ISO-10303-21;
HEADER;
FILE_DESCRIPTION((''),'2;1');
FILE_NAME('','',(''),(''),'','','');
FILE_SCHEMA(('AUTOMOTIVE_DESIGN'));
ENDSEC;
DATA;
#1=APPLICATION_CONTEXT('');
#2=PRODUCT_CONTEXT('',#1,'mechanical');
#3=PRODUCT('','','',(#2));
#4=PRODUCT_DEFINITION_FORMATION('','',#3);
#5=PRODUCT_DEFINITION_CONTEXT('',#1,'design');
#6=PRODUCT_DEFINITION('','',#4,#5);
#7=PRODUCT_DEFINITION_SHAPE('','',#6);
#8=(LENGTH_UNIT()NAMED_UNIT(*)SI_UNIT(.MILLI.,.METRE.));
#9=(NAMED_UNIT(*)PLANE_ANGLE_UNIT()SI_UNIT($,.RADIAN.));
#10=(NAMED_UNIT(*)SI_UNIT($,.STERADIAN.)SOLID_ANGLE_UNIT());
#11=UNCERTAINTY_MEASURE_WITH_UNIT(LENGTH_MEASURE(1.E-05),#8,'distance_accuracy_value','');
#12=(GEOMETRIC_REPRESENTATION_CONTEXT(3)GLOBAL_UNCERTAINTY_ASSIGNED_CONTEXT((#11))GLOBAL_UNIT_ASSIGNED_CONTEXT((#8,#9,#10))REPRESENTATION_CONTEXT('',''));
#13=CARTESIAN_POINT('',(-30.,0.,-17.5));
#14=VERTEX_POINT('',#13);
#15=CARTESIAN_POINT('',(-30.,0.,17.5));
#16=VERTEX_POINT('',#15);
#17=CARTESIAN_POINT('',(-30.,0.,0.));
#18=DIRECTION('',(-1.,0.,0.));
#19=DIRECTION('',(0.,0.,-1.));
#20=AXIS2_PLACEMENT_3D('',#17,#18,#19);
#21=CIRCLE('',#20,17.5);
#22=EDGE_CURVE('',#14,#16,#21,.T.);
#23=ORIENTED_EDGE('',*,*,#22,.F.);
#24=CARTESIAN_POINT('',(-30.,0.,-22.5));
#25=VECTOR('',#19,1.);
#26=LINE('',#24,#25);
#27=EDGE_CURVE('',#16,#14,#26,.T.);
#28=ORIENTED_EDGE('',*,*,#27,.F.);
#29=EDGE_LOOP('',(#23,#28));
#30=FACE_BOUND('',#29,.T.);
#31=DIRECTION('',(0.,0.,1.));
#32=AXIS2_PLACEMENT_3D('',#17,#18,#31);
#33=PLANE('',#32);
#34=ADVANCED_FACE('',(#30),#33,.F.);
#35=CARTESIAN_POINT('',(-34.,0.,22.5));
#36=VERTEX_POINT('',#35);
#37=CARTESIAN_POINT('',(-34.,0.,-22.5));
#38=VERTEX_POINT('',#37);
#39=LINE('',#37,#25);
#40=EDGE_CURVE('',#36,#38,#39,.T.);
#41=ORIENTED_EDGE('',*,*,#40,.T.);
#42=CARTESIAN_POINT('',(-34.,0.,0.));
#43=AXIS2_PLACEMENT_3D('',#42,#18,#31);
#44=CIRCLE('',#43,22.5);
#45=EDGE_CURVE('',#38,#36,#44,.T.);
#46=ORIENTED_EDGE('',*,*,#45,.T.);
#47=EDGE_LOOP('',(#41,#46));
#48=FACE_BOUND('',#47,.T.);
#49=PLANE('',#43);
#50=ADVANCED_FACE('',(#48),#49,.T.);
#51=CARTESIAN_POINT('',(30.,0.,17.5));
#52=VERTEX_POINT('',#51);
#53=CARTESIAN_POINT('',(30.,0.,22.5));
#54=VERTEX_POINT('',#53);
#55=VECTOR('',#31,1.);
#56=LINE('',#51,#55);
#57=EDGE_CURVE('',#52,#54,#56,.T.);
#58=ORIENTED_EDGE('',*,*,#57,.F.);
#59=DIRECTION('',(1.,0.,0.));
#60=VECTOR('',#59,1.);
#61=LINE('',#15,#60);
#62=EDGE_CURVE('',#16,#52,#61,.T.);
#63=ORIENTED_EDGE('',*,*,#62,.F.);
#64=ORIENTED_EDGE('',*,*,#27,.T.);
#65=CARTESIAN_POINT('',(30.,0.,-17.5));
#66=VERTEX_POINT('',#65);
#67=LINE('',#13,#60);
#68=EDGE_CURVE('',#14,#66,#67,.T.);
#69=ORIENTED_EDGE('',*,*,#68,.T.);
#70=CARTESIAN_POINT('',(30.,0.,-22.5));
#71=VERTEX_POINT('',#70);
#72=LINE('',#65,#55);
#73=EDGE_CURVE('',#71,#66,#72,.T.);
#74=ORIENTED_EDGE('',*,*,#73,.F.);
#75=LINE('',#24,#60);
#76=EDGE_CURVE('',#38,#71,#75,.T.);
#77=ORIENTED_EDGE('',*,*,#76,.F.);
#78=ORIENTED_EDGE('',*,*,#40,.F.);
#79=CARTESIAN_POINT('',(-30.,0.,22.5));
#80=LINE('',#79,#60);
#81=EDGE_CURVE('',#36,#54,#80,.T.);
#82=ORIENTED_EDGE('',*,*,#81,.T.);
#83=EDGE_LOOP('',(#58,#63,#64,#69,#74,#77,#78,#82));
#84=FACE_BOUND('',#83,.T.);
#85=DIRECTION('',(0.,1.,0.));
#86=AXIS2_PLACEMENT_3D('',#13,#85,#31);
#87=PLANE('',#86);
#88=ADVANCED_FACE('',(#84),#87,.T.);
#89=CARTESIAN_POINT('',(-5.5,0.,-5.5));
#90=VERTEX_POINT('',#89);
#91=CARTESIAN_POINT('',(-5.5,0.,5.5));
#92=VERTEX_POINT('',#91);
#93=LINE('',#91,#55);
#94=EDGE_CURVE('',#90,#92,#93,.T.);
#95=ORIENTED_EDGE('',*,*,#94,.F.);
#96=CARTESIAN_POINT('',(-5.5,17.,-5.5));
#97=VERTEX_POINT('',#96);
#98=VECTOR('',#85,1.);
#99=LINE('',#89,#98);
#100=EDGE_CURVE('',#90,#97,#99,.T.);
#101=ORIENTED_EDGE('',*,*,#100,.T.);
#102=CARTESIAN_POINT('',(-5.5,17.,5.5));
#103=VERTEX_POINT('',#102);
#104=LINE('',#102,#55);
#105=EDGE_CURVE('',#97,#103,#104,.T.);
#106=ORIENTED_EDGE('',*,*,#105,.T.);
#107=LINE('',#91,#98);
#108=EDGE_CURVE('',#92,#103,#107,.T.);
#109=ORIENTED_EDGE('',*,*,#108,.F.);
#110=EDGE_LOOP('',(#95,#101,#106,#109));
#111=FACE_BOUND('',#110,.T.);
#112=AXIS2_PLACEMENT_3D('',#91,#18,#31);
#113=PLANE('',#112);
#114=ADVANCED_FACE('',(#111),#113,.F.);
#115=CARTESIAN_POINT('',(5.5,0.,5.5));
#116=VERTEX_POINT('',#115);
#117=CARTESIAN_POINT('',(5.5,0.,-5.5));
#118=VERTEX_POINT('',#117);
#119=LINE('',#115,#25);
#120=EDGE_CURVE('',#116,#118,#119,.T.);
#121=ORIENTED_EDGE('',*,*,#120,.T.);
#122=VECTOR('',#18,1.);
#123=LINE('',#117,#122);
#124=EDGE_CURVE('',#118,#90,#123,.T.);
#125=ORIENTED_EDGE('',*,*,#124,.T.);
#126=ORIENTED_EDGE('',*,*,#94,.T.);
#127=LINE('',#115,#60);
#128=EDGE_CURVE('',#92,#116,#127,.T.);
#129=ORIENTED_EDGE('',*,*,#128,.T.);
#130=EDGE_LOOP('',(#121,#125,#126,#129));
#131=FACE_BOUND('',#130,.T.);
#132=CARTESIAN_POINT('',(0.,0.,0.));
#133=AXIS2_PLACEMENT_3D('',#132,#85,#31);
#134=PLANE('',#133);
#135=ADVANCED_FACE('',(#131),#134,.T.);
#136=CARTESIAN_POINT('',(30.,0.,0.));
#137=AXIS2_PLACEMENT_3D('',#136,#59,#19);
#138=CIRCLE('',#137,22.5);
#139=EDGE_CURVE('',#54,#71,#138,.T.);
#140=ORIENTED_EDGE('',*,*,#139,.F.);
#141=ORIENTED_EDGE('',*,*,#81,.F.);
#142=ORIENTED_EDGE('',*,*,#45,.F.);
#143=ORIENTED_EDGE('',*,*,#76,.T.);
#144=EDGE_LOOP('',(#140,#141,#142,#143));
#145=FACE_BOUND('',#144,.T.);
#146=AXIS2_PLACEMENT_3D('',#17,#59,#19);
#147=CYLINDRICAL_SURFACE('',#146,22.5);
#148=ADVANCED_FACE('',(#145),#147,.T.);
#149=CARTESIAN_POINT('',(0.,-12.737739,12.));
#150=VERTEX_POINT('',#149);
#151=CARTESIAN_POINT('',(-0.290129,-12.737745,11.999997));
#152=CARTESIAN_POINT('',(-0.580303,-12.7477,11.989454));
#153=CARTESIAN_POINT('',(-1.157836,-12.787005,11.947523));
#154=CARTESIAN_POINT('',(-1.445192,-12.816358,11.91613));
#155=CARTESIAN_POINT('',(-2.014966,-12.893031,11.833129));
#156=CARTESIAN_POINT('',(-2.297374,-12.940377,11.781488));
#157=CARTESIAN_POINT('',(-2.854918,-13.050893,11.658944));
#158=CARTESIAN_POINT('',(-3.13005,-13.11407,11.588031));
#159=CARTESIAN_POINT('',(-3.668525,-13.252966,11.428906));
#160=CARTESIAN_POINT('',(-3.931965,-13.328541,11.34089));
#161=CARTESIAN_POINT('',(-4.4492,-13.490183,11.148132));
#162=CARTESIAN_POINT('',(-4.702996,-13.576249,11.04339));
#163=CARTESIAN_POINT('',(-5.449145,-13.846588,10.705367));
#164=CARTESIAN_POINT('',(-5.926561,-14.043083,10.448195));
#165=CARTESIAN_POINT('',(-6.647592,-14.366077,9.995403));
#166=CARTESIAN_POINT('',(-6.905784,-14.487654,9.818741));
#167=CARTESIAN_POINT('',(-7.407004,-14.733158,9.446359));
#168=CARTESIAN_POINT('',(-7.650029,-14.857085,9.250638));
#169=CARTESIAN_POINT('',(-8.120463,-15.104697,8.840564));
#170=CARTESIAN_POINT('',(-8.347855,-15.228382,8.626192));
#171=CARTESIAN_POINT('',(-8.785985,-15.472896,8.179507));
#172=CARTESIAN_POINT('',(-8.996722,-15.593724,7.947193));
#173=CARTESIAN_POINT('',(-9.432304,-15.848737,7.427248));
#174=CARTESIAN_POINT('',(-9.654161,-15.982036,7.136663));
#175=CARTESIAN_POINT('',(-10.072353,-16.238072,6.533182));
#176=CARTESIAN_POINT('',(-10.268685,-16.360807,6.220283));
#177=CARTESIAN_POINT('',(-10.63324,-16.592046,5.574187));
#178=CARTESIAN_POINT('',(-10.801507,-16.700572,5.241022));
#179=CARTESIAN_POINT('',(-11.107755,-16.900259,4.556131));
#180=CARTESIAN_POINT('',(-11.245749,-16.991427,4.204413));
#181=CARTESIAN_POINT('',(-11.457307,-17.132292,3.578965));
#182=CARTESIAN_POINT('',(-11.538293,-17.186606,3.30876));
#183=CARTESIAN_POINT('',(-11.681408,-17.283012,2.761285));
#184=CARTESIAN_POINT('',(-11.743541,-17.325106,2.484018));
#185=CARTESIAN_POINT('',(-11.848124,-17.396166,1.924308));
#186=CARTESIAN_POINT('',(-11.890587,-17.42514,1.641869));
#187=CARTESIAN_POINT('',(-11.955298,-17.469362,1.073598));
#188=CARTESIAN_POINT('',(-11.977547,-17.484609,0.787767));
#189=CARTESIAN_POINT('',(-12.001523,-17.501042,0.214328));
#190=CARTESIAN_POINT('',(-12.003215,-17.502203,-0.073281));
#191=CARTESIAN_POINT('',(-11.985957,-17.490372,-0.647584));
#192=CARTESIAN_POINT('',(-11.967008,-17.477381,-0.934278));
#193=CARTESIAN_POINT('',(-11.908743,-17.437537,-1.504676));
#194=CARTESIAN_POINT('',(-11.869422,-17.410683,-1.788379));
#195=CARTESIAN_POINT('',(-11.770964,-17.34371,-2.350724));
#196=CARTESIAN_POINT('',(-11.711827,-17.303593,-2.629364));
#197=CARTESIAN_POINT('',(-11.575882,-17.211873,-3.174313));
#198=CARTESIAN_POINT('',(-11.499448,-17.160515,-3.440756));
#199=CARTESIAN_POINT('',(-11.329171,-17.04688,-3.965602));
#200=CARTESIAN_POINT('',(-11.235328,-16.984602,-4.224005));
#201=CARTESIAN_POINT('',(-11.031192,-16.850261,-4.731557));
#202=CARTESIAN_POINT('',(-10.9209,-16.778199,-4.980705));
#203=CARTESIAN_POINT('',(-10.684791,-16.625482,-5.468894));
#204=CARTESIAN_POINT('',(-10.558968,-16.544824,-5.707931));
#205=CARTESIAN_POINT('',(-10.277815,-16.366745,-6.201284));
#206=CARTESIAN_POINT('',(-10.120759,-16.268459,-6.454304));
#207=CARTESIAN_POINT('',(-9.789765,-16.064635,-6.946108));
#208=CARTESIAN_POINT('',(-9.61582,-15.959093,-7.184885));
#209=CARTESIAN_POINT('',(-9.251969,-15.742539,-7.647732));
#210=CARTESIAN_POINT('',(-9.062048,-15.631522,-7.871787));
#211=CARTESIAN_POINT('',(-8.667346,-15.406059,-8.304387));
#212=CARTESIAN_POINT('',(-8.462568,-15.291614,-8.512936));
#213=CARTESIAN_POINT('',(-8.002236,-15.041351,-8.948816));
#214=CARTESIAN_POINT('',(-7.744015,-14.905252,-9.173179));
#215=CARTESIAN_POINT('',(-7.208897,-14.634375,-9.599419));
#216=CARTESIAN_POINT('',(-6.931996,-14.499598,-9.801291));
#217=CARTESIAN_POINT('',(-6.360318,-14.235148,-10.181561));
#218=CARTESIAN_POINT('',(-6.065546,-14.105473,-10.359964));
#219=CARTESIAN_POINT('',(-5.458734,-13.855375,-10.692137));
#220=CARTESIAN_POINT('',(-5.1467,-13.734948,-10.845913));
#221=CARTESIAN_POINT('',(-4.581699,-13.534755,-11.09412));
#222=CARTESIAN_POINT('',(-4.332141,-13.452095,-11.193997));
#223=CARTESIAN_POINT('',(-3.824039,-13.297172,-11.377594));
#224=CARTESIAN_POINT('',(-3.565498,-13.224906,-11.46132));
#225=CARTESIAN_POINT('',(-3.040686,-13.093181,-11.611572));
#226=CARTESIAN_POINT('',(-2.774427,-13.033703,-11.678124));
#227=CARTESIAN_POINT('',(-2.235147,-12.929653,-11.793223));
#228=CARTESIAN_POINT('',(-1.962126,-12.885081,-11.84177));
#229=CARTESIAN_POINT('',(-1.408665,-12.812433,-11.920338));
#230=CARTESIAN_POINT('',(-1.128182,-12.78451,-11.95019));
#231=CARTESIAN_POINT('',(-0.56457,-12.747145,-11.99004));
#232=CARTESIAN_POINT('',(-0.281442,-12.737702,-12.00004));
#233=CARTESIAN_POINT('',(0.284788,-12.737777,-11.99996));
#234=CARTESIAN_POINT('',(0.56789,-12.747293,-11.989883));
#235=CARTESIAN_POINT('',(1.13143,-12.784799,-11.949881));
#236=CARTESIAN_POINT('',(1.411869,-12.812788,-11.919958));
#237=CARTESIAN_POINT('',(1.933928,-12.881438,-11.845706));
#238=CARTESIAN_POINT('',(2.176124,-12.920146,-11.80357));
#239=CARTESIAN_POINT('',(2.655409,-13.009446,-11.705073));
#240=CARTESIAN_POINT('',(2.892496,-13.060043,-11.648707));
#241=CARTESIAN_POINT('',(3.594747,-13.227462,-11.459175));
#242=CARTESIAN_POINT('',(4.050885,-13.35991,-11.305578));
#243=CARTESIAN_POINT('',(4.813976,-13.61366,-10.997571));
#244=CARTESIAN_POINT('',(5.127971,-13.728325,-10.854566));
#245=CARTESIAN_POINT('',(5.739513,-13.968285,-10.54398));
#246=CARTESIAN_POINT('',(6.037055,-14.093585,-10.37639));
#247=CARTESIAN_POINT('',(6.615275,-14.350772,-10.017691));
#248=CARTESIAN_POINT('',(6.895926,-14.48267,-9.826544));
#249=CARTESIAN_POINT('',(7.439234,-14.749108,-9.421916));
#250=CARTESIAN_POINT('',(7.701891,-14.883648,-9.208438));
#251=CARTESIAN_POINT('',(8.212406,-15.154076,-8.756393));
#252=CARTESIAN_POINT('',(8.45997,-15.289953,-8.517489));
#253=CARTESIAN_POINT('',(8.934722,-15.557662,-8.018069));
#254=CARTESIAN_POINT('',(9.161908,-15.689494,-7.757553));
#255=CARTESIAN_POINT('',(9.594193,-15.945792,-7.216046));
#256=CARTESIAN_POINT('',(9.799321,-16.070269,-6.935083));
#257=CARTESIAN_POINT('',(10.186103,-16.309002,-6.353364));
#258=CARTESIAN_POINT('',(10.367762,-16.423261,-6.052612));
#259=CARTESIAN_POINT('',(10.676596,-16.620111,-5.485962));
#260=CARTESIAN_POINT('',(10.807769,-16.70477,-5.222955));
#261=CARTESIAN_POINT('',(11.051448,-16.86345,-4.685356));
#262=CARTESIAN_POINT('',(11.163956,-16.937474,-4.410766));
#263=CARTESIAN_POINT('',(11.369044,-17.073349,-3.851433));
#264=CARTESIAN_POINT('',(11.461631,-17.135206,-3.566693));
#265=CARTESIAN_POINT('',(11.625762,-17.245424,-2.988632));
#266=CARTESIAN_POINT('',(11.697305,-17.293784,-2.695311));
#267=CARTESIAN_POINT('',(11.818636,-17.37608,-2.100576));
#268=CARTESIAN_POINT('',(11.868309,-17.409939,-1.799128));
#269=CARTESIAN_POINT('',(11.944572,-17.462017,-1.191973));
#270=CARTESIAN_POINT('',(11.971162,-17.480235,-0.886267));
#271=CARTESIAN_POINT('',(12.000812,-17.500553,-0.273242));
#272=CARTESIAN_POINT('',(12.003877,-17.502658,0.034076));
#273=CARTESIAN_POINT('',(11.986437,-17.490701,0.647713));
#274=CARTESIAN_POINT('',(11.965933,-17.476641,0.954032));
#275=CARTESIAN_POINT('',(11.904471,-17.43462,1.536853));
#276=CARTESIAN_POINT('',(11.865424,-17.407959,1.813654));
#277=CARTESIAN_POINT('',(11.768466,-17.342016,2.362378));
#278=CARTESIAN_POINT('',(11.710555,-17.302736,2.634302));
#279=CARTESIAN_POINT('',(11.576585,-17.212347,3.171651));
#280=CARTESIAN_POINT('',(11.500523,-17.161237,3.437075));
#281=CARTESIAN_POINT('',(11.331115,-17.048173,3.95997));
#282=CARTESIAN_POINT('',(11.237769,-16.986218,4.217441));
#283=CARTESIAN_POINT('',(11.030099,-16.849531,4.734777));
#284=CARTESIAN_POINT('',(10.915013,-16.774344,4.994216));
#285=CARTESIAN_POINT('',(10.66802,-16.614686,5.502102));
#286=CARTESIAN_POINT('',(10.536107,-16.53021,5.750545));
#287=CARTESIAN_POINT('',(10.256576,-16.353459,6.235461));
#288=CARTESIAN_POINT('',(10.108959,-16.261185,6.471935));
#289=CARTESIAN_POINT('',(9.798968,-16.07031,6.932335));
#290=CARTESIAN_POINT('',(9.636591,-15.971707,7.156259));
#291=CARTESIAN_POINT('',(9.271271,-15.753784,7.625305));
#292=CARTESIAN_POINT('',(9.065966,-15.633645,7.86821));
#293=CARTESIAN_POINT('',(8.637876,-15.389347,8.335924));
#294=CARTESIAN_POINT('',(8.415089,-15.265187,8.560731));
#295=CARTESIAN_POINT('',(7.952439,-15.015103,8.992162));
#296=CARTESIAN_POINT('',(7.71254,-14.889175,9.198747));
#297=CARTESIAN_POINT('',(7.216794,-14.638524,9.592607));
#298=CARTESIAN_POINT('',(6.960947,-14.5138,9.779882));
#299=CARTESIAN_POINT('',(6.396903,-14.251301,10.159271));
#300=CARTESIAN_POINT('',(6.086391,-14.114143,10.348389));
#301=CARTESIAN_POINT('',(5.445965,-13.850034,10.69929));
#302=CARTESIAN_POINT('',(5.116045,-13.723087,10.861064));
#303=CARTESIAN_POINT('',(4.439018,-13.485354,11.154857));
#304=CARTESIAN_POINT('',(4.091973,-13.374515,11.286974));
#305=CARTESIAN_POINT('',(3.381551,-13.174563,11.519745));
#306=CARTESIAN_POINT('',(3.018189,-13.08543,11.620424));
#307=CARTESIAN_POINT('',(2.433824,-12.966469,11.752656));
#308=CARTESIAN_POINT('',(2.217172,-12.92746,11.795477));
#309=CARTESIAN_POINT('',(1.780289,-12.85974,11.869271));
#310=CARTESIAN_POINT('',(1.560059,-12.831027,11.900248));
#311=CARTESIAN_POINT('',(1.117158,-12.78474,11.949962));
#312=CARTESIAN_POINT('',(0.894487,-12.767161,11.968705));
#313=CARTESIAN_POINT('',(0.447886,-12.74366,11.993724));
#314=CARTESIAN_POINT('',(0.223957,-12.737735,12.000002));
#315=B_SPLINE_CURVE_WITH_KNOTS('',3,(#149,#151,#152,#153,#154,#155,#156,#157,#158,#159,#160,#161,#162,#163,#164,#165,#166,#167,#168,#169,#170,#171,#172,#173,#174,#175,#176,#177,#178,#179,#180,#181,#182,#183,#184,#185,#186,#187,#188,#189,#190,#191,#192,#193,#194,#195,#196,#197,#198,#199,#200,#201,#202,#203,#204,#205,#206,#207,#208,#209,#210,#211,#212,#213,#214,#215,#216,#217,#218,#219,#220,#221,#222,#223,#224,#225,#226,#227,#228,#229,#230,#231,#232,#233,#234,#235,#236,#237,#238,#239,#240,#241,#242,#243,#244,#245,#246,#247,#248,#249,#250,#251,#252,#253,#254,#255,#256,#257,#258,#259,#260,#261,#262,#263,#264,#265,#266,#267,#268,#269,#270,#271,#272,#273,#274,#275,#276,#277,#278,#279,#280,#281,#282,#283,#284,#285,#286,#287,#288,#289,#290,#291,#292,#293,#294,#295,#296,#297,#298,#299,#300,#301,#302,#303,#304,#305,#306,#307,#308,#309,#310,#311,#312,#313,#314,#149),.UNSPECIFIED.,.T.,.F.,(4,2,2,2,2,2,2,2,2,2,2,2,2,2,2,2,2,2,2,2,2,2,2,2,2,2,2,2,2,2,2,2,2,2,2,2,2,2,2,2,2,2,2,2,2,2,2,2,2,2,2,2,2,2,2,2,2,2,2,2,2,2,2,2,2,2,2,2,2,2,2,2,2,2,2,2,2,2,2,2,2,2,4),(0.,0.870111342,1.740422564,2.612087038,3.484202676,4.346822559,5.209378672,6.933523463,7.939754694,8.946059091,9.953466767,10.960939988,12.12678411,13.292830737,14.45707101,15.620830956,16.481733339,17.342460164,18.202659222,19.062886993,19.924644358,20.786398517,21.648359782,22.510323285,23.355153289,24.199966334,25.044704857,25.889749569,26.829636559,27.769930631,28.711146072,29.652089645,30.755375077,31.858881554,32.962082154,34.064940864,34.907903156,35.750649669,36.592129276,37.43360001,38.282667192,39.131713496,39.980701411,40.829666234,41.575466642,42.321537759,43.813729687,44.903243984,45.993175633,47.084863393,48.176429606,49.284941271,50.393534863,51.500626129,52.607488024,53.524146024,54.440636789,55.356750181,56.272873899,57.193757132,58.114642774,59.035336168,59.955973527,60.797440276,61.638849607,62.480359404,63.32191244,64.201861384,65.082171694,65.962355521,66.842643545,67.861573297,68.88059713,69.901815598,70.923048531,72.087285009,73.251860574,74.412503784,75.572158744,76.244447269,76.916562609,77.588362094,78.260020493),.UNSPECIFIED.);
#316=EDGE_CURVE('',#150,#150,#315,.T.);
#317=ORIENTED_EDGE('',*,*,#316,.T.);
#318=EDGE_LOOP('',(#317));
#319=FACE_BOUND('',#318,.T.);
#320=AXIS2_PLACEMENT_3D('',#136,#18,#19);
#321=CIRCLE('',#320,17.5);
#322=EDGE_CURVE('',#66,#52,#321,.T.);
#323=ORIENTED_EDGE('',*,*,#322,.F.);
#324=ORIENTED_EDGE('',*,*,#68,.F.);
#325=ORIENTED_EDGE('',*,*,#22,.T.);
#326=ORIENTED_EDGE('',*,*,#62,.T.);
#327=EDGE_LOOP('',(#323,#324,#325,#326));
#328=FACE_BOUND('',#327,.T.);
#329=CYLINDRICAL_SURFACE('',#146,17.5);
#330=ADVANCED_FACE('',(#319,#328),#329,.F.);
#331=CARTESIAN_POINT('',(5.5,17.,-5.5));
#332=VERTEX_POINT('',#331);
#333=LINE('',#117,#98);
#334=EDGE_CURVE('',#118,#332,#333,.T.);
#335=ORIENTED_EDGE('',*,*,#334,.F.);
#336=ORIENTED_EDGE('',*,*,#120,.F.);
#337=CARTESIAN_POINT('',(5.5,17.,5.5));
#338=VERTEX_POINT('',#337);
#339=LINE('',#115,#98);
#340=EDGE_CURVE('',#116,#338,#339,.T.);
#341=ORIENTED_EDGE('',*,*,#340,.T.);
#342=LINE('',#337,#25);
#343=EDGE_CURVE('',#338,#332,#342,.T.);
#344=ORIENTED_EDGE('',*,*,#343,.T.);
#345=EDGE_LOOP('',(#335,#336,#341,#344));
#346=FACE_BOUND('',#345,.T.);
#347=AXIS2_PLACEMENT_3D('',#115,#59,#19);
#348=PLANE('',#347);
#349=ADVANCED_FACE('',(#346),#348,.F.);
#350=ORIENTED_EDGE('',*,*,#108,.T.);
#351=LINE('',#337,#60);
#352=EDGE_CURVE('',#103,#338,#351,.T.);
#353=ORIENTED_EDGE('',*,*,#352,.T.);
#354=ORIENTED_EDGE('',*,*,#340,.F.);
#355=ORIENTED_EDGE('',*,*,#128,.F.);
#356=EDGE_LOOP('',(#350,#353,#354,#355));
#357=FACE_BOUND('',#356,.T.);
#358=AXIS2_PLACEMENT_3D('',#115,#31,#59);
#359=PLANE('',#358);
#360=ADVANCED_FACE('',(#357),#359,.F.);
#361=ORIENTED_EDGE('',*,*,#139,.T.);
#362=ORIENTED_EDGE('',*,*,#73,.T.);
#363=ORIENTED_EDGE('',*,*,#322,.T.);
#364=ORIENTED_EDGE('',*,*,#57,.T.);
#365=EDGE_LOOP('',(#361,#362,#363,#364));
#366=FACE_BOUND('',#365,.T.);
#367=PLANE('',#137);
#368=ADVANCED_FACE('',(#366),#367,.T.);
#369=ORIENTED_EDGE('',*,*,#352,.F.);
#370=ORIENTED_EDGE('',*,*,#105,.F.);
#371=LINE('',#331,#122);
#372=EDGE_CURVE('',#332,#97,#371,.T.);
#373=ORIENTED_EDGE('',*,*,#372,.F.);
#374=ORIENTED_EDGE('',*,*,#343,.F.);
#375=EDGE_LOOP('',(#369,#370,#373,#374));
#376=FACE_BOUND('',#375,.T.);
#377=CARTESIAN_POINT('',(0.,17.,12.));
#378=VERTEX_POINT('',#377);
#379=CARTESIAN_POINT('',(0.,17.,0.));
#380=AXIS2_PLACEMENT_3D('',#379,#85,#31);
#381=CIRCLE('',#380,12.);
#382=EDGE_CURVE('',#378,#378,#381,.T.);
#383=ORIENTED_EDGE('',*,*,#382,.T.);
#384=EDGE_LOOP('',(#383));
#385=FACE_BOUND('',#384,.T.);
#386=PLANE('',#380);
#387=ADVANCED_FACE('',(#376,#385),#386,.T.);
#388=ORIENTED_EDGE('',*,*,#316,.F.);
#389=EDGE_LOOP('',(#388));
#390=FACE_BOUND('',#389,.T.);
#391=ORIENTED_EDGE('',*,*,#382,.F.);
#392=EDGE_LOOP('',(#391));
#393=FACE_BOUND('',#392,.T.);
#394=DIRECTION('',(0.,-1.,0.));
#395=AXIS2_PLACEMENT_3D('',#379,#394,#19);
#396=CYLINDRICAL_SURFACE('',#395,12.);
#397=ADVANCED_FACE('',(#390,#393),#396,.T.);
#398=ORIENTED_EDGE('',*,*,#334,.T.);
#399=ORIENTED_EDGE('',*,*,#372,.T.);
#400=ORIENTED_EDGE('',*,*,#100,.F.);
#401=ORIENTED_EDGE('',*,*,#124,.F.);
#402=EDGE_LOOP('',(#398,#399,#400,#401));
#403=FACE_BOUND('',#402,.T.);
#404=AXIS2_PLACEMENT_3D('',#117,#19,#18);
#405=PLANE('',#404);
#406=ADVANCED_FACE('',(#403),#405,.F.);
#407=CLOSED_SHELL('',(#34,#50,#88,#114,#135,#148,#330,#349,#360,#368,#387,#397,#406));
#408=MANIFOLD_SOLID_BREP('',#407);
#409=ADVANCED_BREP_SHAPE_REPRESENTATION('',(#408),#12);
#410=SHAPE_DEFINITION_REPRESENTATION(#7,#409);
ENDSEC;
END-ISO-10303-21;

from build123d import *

# Parameters (mm, degrees)
BOSS_EXTRUDE1_DEPTH             = 30
BOSS_EXTRUDE1_DEPTH_BACK        = 30
BOSS_EXTRUDE2_REACH             = 45.732
BOSS_EXTRUDE2_END_RADIUS        = 17.5
SKETCH3_R                       = 12
BOSS_EXTRUDE2_DIRECTION_2_DEPTH = 17
BOSS_EXTRUDE3_START             = 4
BOSS_EXTRUDE3_DEPTH             = 4
SKETCH5_W                       = 11
SKETCH5_H                       = 11
CUT_EXTRUDE1_DEPTH              = 17


with BuildPart() as part:
    # Sketch1 → Boss-Extrude1 (new, two sides: drawn at the far end of the back side and taken through both)
    with BuildSketch(Plane(origin=(0, 0, 0), x_dir=(0, 0, -1), z_dir=(1, 0, 0)).offset(-BOSS_EXTRUDE1_DEPTH_BACK)):
        with BuildLine():
            Line((-17.5, 0), (-22.5, 0))
            ThreePointArc((-22.5, 0), (0, -22.5), (22.5, 0))
            Line((22.5, 0), (17.5, 0))
            ThreePointArc((17.5, 0), (0, -17.5), (-17.5, 0))
        make_face()
    extrude(amount=BOSS_EXTRUDE1_DEPTH + BOSS_EXTRUDE1_DEPTH_BACK)

    # Boss-Extrude2: up to this cylinder (the profile starts inside it)
    boss_extrude2_end = Plane(origin=(0, 0, 0), z_dir=(1, 0, 0)) * Cylinder(BOSS_EXTRUDE2_END_RADIUS, 127.464, mode=Mode.PRIVATE)
    # Sketch3 → Boss-Extrude2 (add, up to the surface)
    with BuildSketch(Plane(origin=(0, 0, 0), x_dir=(1, 0, 0), z_dir=(0, 1, 0)), mode=Mode.PRIVATE) as boss_extrude2_sk1:
        Circle(SKETCH3_R)
    boss_extrude2_tool1 = extrude(boss_extrude2_sk1.sketch, amount=-BOSS_EXTRUDE2_REACH, mode=Mode.PRIVATE) & boss_extrude2_end
    add(boss_extrude2_tool1.solids().sort_by_distance((0, 0, 0))[0])

    # Sketch3 → Boss-Extrude2 direction 2 (add)
    with BuildSketch(Plane(origin=(0, 0, 0), x_dir=(1, 0, 0), z_dir=(0, 1, 0))):
        Circle(SKETCH3_R)
    extrude(amount=BOSS_EXTRUDE2_DIRECTION_2_DEPTH)

    # Sketch4 → Boss-Extrude3 (add)
    with BuildSketch(Plane.ZY.offset(30).offset(BOSS_EXTRUDE3_START)):
        with BuildLine():
            Line((-22.5, 0), (22.5, 0))
            ThreePointArc((22.5, 0), (0, -22.5), (-22.5, 0))
        make_face()
    extrude(amount=-BOSS_EXTRUDE3_DEPTH)

    # Sketch5 → Cut-Extrude1 (cut)
    with BuildSketch(Plane(origin=(0, 17, 0), x_dir=(1, 0, 0), z_dir=(0, 1, 0))):
        Rectangle(SKETCH5_W, SKETCH5_H)
    extrude(amount=-CUT_EXTRUDE1_DEPTH, mode=Mode.SUBTRACT)


solid = part.part
